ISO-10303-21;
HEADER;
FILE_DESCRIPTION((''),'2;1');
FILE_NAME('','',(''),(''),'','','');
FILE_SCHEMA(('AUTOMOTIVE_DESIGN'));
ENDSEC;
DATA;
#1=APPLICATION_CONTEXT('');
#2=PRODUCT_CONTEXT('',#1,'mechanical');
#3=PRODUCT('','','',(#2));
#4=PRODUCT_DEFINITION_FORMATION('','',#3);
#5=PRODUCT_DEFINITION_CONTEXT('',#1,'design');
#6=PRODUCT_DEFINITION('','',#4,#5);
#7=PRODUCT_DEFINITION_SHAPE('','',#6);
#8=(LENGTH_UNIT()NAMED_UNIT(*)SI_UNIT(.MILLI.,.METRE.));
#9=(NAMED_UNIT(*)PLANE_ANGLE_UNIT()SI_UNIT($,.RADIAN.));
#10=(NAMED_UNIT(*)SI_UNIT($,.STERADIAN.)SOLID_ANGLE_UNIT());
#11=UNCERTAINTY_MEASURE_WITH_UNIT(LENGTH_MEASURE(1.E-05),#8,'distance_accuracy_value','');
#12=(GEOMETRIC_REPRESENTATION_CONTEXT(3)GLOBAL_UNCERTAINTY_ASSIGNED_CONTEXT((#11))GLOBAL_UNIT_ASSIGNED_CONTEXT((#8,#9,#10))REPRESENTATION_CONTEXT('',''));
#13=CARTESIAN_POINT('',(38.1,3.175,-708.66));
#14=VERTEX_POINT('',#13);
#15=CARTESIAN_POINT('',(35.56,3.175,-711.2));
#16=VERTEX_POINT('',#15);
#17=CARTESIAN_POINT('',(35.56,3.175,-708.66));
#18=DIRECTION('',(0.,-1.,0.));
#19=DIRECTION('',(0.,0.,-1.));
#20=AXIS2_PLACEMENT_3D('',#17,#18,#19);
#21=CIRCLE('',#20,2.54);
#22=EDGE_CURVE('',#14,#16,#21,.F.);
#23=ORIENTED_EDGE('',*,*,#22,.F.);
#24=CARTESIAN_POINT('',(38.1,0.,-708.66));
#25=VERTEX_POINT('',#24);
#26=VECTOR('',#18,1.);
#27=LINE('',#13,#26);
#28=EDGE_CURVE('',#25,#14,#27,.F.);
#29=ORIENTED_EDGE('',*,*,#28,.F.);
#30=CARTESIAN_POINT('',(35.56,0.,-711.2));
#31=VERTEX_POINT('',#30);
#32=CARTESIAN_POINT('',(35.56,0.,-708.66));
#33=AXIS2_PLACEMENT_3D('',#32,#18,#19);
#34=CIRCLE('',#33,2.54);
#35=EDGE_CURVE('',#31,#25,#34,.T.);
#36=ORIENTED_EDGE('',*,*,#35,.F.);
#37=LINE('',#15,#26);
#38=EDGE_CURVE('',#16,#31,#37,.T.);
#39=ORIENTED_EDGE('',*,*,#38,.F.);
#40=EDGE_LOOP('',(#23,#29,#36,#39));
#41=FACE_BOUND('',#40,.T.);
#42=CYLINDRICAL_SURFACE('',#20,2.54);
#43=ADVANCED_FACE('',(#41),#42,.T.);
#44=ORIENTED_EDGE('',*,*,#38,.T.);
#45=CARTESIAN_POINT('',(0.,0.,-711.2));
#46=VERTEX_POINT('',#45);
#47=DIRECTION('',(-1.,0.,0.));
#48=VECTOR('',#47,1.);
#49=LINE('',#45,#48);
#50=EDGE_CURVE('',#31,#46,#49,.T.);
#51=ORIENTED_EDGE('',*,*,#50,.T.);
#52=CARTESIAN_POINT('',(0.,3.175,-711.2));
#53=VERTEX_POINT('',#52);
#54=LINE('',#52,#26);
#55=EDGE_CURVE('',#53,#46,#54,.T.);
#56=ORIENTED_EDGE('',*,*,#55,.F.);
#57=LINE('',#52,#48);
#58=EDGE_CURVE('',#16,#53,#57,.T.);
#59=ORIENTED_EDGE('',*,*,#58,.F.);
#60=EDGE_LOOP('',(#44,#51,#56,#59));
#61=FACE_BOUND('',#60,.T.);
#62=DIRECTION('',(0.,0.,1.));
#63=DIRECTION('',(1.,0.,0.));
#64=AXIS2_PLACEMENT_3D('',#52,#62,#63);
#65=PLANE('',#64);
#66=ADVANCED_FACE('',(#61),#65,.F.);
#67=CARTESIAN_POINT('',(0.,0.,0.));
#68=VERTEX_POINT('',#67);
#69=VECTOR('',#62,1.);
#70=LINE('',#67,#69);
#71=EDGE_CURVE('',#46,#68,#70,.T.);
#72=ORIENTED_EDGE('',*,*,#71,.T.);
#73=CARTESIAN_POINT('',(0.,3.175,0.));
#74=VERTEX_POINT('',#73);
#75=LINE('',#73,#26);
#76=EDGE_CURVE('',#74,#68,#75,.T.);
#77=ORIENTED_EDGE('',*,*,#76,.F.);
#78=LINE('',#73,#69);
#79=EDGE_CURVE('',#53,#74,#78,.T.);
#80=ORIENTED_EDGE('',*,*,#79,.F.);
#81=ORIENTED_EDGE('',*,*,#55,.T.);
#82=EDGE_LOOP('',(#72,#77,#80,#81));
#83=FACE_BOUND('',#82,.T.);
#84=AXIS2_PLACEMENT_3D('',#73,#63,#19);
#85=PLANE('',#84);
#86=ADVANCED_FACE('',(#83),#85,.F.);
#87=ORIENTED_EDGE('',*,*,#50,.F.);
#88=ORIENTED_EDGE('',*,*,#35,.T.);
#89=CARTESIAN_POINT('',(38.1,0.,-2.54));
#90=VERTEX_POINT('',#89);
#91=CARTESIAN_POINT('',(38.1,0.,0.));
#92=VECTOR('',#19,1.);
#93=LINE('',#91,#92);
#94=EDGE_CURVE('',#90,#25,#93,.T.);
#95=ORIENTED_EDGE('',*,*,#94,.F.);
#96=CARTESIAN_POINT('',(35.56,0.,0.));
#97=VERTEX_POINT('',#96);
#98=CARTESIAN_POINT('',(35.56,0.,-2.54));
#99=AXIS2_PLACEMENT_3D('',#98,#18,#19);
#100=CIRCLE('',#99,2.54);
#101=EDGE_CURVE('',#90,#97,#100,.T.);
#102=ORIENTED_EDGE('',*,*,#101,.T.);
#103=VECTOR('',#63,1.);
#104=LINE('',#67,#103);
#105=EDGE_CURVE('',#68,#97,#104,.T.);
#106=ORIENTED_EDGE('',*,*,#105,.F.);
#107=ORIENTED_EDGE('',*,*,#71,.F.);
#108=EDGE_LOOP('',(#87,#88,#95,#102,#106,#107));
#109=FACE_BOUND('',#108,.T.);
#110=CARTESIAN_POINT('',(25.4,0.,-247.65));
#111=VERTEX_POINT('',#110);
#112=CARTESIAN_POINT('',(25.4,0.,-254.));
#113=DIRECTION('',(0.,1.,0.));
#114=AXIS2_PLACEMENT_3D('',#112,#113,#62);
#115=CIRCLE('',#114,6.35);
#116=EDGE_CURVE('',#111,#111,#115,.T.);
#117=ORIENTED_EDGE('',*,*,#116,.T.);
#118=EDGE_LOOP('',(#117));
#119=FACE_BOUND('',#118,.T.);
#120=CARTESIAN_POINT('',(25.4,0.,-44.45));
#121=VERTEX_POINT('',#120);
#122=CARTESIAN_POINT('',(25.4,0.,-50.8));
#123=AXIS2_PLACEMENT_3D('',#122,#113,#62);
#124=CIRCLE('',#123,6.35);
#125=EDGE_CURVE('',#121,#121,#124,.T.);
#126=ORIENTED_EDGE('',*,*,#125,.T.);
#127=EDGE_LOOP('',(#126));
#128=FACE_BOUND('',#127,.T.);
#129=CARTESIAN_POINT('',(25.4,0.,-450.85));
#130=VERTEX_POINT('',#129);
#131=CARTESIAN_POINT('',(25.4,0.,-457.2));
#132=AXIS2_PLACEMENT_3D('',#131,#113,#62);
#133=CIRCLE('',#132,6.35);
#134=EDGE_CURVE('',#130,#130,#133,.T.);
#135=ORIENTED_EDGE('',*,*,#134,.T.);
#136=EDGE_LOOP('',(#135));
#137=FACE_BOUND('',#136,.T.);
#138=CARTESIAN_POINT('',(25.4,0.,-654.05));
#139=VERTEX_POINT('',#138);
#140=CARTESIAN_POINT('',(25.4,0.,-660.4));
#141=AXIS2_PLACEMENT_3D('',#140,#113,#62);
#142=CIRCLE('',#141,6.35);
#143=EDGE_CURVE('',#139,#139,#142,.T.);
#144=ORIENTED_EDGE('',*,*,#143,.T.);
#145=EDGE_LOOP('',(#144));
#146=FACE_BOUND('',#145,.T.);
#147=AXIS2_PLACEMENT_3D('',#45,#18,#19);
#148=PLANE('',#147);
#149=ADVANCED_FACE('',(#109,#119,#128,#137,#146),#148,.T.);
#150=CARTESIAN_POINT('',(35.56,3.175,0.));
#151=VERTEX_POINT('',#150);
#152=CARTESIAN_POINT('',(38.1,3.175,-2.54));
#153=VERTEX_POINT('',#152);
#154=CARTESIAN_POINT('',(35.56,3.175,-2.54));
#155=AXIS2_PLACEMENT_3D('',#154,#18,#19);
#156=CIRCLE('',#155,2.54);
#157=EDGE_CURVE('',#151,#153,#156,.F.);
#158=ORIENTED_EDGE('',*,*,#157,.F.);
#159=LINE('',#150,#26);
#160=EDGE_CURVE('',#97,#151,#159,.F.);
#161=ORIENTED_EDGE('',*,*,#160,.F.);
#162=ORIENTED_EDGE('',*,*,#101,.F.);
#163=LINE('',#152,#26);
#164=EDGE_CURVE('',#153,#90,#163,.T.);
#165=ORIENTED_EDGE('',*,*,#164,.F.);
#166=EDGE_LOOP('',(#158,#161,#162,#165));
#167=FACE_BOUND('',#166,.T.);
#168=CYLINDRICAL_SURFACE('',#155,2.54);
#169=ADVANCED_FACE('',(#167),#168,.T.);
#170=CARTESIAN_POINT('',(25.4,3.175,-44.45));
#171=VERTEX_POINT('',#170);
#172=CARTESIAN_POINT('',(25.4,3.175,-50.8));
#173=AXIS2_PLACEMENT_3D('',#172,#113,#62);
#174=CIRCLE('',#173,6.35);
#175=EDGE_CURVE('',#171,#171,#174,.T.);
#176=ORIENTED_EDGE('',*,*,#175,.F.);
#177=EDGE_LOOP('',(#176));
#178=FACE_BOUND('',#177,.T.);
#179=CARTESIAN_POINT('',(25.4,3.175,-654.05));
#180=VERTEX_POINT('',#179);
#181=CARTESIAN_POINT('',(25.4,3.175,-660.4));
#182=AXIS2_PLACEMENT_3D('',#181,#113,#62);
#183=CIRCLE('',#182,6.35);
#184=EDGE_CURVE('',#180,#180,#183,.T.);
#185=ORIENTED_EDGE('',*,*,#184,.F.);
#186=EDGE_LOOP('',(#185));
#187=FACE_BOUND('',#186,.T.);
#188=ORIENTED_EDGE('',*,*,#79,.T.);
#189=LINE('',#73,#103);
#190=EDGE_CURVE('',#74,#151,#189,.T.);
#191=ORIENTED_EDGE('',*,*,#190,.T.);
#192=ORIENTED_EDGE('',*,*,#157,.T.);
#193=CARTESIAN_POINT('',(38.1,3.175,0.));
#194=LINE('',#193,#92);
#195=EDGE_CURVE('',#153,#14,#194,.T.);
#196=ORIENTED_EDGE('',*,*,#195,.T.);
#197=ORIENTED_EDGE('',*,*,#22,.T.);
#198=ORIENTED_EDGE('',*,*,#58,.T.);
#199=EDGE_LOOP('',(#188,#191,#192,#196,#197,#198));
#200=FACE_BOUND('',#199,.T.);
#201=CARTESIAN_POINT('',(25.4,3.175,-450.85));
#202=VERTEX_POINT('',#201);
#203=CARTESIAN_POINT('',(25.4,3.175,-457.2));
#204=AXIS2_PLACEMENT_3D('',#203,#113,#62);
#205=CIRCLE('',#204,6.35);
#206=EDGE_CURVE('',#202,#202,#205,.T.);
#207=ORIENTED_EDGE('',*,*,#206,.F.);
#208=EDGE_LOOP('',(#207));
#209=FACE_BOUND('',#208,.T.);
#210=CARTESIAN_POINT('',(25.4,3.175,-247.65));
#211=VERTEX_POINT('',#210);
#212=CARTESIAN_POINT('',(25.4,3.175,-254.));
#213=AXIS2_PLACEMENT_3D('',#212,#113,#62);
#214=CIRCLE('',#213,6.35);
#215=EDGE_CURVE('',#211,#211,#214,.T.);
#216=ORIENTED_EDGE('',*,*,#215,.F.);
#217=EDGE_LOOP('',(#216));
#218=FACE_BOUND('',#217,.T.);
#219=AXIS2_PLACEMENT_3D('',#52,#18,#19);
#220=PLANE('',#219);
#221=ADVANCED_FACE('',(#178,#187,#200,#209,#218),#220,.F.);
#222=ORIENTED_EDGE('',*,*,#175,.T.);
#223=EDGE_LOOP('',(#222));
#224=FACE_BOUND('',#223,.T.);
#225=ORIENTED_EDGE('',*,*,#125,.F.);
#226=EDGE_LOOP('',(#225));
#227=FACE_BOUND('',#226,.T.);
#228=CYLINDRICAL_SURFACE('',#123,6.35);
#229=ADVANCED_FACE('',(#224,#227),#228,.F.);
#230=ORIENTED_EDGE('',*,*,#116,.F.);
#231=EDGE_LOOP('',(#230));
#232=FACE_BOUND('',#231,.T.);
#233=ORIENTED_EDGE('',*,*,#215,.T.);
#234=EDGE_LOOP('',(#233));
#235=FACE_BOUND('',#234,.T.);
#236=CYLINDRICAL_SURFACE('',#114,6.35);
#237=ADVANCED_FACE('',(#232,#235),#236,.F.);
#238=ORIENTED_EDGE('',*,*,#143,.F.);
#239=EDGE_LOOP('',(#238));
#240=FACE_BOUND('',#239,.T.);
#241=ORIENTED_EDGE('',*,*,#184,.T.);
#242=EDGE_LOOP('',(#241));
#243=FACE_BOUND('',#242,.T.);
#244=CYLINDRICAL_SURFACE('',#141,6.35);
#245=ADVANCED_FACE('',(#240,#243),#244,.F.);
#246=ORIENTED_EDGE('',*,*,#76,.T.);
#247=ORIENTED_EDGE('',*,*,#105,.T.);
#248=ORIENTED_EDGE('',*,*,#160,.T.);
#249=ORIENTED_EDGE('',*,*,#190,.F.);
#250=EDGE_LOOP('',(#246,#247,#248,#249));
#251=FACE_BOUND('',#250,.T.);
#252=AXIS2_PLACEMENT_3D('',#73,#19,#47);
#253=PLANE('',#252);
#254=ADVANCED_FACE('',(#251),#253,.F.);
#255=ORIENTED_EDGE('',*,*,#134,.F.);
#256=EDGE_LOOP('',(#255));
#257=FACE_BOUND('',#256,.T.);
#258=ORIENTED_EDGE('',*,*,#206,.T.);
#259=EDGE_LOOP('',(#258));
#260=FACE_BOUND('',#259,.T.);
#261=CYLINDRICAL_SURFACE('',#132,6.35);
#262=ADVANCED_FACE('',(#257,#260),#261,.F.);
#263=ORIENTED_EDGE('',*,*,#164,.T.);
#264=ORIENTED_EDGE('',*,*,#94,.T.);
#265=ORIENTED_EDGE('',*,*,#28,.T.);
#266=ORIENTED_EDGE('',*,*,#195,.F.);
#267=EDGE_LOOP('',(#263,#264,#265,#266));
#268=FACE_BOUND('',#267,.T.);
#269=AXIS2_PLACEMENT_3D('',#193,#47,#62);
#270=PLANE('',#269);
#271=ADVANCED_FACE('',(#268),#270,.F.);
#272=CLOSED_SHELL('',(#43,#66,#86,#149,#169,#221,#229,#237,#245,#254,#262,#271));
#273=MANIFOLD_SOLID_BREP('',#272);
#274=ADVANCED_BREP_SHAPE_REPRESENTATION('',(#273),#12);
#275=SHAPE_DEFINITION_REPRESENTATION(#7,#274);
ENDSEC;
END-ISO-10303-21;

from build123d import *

# Parameters (mm, degrees)
SKETCH1_W           = 38.1
SKETCH1_H           = 711.2
BOSS_EXTRUDE1_DEPTH = 3.175
FILLET1_R           = 2.54
SKETCH2_R           = 6.35
CUT_EXTRUDE1_DEPTH  = 4.175


with BuildPart() as part:
    # Sketch1 → Boss-Extrude1 (new body)
    with BuildSketch(Plane(origin=(0, 0, 0), x_dir=(1, 0, 0), z_dir=(0, 1, 0))):
        with Locations((19.05, 355.6)):
            Rectangle(SKETCH1_W, SKETCH1_H)
    extrude(amount=BOSS_EXTRUDE1_DEPTH)

    # Fillet1
    fillet1_edges = [part.edges().sort_by_distance(p)[0] for p in [
        (38.1, 1.5875, -711.2),
        (38.1, 1.5875, 0),
    ]]
    fillet(fillet1_edges, radius=FILLET1_R)

    # Sketch2 → Cut-Extrude1 (cut, through all)
    with BuildSketch(Plane(origin=(0, 3.175, 0), x_dir=(1, 0, 0), z_dir=(0, 1, 0))):
        with Locations((25.4, 660.4)):
            Circle(SKETCH2_R)
        with Locations((25.4, 457.2)):
            Circle(SKETCH2_R)
        with Locations((25.4, 254)):
            Circle(SKETCH2_R)
        with Locations((25.4, 50.8)):
            Circle(SKETCH2_R)
    extrude(amount=-CUT_EXTRUDE1_DEPTH, mode=Mode.SUBTRACT)


solid = part.part
